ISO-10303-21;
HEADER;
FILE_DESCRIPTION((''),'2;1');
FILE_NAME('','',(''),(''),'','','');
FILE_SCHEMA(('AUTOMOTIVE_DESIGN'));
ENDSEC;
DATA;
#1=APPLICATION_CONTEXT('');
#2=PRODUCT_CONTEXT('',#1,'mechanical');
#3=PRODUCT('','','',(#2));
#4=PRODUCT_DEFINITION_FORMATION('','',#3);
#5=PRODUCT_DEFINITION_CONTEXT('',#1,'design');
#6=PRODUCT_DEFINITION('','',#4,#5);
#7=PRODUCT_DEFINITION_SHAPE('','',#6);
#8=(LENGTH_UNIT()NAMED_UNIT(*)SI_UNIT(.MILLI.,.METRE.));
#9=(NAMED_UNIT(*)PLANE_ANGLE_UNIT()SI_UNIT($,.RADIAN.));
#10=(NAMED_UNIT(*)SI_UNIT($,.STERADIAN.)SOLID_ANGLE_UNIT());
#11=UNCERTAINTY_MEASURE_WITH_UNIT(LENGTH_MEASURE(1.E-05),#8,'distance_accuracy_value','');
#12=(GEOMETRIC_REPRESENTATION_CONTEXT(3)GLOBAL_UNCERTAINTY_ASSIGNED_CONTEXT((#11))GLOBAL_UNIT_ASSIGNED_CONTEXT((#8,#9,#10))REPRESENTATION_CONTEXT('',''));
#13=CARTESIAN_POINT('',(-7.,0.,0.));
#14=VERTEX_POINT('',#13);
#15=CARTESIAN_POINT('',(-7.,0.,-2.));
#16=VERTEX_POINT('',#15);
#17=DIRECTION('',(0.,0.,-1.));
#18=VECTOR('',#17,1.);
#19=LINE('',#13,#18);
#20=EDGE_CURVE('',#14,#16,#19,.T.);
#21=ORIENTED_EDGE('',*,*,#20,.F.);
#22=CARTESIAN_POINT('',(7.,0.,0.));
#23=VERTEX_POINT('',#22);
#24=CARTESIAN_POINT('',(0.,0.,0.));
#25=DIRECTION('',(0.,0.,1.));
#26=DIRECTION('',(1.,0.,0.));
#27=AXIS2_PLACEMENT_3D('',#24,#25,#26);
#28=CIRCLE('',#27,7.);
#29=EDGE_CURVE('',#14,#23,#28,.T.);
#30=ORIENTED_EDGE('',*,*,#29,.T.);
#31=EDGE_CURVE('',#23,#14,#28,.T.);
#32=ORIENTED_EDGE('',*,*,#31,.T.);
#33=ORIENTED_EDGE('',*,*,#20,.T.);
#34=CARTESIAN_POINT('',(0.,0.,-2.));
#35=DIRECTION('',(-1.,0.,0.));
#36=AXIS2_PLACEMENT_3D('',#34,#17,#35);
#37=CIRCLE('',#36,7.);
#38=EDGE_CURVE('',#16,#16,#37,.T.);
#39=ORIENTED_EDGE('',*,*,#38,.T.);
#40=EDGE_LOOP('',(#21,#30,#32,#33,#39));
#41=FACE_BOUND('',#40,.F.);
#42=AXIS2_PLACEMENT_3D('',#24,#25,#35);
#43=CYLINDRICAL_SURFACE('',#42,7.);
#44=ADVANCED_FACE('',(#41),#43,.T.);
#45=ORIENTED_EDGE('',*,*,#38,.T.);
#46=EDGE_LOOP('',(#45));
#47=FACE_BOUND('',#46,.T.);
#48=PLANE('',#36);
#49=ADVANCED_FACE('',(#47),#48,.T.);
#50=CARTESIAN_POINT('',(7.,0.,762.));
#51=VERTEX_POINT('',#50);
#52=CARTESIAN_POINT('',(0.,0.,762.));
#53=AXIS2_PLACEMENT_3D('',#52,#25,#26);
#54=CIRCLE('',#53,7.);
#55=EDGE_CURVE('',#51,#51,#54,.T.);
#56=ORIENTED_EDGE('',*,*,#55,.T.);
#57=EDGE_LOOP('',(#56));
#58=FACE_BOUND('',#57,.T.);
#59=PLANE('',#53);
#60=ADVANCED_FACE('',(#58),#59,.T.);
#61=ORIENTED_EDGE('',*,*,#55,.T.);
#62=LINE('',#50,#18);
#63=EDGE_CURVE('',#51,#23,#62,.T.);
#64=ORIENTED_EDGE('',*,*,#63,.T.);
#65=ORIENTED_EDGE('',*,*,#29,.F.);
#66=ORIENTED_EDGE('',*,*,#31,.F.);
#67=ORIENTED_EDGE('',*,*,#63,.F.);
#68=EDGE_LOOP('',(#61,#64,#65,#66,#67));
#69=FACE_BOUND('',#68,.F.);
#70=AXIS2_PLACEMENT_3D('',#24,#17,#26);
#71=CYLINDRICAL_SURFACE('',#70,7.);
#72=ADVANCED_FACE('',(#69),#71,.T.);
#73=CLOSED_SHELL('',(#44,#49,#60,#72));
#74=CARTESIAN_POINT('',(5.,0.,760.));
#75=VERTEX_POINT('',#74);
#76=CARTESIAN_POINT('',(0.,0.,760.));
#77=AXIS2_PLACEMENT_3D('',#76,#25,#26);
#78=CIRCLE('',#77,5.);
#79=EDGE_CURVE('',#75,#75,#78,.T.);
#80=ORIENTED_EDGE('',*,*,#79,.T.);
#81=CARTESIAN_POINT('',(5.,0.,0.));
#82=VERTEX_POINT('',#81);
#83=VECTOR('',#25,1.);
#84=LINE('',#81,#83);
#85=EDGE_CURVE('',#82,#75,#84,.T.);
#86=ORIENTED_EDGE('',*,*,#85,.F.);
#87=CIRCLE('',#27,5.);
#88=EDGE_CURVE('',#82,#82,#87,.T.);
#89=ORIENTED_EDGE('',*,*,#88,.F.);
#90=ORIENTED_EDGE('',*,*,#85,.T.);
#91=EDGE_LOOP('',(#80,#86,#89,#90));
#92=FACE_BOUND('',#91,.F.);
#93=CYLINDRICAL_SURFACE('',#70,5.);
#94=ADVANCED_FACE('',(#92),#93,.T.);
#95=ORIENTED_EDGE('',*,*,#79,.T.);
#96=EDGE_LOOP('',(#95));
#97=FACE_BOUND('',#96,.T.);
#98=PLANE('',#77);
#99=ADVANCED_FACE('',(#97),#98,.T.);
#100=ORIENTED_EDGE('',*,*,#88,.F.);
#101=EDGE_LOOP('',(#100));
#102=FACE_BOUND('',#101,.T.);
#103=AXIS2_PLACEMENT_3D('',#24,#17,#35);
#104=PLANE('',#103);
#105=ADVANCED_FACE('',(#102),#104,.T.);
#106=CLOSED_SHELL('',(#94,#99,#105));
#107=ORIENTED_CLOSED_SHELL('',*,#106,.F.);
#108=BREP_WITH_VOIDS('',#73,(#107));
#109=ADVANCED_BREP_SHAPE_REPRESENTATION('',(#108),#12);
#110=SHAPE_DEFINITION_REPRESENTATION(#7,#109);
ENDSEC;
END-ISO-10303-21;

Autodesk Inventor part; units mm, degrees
ref_plane "YZ Plane" through (0, 0, 0) normal (1, 0, 0) x (0, 1, 0)
ref_plane "XZ Plane" through (0, 0, 0) normal (0, 1, 0) x (-1, 0, 0)
ref_plane "XY Plane" through (0, 0, 0) normal (0, 0, 1) x (1, 0, 0)
sketch "Sketch1" plane through (0, 0, 0) normal (0, 0, 1) x (1, 0, 0)
  circle A0 centre (0, 0) radius 7
  circle A1 centre (0, 0) radius 5
  dimension "d0" = 14
  dimension "d1" = 10
extrude "Extrusion1" add sketch "Sketch1" along normal blind 760
sketch "Sketch2" plane through (0, 0, 760) normal (0, 0, 1) x (1, 0, 0)
  circle A0 centre (0, 0) radius 7 projected
extrude "Extrusion2" add sketch "Sketch2" along normal blind 2
sketch "Sketch3" plane through (0, 0, 0) normal (0, 0, -1) x (-1, 0, 0)
  circle A0 centre (0, 0) radius 7 projected
extrude "Extrusion3" add sketch "Sketch3" along normal blind 2
properties part number "cięgno fotela"
